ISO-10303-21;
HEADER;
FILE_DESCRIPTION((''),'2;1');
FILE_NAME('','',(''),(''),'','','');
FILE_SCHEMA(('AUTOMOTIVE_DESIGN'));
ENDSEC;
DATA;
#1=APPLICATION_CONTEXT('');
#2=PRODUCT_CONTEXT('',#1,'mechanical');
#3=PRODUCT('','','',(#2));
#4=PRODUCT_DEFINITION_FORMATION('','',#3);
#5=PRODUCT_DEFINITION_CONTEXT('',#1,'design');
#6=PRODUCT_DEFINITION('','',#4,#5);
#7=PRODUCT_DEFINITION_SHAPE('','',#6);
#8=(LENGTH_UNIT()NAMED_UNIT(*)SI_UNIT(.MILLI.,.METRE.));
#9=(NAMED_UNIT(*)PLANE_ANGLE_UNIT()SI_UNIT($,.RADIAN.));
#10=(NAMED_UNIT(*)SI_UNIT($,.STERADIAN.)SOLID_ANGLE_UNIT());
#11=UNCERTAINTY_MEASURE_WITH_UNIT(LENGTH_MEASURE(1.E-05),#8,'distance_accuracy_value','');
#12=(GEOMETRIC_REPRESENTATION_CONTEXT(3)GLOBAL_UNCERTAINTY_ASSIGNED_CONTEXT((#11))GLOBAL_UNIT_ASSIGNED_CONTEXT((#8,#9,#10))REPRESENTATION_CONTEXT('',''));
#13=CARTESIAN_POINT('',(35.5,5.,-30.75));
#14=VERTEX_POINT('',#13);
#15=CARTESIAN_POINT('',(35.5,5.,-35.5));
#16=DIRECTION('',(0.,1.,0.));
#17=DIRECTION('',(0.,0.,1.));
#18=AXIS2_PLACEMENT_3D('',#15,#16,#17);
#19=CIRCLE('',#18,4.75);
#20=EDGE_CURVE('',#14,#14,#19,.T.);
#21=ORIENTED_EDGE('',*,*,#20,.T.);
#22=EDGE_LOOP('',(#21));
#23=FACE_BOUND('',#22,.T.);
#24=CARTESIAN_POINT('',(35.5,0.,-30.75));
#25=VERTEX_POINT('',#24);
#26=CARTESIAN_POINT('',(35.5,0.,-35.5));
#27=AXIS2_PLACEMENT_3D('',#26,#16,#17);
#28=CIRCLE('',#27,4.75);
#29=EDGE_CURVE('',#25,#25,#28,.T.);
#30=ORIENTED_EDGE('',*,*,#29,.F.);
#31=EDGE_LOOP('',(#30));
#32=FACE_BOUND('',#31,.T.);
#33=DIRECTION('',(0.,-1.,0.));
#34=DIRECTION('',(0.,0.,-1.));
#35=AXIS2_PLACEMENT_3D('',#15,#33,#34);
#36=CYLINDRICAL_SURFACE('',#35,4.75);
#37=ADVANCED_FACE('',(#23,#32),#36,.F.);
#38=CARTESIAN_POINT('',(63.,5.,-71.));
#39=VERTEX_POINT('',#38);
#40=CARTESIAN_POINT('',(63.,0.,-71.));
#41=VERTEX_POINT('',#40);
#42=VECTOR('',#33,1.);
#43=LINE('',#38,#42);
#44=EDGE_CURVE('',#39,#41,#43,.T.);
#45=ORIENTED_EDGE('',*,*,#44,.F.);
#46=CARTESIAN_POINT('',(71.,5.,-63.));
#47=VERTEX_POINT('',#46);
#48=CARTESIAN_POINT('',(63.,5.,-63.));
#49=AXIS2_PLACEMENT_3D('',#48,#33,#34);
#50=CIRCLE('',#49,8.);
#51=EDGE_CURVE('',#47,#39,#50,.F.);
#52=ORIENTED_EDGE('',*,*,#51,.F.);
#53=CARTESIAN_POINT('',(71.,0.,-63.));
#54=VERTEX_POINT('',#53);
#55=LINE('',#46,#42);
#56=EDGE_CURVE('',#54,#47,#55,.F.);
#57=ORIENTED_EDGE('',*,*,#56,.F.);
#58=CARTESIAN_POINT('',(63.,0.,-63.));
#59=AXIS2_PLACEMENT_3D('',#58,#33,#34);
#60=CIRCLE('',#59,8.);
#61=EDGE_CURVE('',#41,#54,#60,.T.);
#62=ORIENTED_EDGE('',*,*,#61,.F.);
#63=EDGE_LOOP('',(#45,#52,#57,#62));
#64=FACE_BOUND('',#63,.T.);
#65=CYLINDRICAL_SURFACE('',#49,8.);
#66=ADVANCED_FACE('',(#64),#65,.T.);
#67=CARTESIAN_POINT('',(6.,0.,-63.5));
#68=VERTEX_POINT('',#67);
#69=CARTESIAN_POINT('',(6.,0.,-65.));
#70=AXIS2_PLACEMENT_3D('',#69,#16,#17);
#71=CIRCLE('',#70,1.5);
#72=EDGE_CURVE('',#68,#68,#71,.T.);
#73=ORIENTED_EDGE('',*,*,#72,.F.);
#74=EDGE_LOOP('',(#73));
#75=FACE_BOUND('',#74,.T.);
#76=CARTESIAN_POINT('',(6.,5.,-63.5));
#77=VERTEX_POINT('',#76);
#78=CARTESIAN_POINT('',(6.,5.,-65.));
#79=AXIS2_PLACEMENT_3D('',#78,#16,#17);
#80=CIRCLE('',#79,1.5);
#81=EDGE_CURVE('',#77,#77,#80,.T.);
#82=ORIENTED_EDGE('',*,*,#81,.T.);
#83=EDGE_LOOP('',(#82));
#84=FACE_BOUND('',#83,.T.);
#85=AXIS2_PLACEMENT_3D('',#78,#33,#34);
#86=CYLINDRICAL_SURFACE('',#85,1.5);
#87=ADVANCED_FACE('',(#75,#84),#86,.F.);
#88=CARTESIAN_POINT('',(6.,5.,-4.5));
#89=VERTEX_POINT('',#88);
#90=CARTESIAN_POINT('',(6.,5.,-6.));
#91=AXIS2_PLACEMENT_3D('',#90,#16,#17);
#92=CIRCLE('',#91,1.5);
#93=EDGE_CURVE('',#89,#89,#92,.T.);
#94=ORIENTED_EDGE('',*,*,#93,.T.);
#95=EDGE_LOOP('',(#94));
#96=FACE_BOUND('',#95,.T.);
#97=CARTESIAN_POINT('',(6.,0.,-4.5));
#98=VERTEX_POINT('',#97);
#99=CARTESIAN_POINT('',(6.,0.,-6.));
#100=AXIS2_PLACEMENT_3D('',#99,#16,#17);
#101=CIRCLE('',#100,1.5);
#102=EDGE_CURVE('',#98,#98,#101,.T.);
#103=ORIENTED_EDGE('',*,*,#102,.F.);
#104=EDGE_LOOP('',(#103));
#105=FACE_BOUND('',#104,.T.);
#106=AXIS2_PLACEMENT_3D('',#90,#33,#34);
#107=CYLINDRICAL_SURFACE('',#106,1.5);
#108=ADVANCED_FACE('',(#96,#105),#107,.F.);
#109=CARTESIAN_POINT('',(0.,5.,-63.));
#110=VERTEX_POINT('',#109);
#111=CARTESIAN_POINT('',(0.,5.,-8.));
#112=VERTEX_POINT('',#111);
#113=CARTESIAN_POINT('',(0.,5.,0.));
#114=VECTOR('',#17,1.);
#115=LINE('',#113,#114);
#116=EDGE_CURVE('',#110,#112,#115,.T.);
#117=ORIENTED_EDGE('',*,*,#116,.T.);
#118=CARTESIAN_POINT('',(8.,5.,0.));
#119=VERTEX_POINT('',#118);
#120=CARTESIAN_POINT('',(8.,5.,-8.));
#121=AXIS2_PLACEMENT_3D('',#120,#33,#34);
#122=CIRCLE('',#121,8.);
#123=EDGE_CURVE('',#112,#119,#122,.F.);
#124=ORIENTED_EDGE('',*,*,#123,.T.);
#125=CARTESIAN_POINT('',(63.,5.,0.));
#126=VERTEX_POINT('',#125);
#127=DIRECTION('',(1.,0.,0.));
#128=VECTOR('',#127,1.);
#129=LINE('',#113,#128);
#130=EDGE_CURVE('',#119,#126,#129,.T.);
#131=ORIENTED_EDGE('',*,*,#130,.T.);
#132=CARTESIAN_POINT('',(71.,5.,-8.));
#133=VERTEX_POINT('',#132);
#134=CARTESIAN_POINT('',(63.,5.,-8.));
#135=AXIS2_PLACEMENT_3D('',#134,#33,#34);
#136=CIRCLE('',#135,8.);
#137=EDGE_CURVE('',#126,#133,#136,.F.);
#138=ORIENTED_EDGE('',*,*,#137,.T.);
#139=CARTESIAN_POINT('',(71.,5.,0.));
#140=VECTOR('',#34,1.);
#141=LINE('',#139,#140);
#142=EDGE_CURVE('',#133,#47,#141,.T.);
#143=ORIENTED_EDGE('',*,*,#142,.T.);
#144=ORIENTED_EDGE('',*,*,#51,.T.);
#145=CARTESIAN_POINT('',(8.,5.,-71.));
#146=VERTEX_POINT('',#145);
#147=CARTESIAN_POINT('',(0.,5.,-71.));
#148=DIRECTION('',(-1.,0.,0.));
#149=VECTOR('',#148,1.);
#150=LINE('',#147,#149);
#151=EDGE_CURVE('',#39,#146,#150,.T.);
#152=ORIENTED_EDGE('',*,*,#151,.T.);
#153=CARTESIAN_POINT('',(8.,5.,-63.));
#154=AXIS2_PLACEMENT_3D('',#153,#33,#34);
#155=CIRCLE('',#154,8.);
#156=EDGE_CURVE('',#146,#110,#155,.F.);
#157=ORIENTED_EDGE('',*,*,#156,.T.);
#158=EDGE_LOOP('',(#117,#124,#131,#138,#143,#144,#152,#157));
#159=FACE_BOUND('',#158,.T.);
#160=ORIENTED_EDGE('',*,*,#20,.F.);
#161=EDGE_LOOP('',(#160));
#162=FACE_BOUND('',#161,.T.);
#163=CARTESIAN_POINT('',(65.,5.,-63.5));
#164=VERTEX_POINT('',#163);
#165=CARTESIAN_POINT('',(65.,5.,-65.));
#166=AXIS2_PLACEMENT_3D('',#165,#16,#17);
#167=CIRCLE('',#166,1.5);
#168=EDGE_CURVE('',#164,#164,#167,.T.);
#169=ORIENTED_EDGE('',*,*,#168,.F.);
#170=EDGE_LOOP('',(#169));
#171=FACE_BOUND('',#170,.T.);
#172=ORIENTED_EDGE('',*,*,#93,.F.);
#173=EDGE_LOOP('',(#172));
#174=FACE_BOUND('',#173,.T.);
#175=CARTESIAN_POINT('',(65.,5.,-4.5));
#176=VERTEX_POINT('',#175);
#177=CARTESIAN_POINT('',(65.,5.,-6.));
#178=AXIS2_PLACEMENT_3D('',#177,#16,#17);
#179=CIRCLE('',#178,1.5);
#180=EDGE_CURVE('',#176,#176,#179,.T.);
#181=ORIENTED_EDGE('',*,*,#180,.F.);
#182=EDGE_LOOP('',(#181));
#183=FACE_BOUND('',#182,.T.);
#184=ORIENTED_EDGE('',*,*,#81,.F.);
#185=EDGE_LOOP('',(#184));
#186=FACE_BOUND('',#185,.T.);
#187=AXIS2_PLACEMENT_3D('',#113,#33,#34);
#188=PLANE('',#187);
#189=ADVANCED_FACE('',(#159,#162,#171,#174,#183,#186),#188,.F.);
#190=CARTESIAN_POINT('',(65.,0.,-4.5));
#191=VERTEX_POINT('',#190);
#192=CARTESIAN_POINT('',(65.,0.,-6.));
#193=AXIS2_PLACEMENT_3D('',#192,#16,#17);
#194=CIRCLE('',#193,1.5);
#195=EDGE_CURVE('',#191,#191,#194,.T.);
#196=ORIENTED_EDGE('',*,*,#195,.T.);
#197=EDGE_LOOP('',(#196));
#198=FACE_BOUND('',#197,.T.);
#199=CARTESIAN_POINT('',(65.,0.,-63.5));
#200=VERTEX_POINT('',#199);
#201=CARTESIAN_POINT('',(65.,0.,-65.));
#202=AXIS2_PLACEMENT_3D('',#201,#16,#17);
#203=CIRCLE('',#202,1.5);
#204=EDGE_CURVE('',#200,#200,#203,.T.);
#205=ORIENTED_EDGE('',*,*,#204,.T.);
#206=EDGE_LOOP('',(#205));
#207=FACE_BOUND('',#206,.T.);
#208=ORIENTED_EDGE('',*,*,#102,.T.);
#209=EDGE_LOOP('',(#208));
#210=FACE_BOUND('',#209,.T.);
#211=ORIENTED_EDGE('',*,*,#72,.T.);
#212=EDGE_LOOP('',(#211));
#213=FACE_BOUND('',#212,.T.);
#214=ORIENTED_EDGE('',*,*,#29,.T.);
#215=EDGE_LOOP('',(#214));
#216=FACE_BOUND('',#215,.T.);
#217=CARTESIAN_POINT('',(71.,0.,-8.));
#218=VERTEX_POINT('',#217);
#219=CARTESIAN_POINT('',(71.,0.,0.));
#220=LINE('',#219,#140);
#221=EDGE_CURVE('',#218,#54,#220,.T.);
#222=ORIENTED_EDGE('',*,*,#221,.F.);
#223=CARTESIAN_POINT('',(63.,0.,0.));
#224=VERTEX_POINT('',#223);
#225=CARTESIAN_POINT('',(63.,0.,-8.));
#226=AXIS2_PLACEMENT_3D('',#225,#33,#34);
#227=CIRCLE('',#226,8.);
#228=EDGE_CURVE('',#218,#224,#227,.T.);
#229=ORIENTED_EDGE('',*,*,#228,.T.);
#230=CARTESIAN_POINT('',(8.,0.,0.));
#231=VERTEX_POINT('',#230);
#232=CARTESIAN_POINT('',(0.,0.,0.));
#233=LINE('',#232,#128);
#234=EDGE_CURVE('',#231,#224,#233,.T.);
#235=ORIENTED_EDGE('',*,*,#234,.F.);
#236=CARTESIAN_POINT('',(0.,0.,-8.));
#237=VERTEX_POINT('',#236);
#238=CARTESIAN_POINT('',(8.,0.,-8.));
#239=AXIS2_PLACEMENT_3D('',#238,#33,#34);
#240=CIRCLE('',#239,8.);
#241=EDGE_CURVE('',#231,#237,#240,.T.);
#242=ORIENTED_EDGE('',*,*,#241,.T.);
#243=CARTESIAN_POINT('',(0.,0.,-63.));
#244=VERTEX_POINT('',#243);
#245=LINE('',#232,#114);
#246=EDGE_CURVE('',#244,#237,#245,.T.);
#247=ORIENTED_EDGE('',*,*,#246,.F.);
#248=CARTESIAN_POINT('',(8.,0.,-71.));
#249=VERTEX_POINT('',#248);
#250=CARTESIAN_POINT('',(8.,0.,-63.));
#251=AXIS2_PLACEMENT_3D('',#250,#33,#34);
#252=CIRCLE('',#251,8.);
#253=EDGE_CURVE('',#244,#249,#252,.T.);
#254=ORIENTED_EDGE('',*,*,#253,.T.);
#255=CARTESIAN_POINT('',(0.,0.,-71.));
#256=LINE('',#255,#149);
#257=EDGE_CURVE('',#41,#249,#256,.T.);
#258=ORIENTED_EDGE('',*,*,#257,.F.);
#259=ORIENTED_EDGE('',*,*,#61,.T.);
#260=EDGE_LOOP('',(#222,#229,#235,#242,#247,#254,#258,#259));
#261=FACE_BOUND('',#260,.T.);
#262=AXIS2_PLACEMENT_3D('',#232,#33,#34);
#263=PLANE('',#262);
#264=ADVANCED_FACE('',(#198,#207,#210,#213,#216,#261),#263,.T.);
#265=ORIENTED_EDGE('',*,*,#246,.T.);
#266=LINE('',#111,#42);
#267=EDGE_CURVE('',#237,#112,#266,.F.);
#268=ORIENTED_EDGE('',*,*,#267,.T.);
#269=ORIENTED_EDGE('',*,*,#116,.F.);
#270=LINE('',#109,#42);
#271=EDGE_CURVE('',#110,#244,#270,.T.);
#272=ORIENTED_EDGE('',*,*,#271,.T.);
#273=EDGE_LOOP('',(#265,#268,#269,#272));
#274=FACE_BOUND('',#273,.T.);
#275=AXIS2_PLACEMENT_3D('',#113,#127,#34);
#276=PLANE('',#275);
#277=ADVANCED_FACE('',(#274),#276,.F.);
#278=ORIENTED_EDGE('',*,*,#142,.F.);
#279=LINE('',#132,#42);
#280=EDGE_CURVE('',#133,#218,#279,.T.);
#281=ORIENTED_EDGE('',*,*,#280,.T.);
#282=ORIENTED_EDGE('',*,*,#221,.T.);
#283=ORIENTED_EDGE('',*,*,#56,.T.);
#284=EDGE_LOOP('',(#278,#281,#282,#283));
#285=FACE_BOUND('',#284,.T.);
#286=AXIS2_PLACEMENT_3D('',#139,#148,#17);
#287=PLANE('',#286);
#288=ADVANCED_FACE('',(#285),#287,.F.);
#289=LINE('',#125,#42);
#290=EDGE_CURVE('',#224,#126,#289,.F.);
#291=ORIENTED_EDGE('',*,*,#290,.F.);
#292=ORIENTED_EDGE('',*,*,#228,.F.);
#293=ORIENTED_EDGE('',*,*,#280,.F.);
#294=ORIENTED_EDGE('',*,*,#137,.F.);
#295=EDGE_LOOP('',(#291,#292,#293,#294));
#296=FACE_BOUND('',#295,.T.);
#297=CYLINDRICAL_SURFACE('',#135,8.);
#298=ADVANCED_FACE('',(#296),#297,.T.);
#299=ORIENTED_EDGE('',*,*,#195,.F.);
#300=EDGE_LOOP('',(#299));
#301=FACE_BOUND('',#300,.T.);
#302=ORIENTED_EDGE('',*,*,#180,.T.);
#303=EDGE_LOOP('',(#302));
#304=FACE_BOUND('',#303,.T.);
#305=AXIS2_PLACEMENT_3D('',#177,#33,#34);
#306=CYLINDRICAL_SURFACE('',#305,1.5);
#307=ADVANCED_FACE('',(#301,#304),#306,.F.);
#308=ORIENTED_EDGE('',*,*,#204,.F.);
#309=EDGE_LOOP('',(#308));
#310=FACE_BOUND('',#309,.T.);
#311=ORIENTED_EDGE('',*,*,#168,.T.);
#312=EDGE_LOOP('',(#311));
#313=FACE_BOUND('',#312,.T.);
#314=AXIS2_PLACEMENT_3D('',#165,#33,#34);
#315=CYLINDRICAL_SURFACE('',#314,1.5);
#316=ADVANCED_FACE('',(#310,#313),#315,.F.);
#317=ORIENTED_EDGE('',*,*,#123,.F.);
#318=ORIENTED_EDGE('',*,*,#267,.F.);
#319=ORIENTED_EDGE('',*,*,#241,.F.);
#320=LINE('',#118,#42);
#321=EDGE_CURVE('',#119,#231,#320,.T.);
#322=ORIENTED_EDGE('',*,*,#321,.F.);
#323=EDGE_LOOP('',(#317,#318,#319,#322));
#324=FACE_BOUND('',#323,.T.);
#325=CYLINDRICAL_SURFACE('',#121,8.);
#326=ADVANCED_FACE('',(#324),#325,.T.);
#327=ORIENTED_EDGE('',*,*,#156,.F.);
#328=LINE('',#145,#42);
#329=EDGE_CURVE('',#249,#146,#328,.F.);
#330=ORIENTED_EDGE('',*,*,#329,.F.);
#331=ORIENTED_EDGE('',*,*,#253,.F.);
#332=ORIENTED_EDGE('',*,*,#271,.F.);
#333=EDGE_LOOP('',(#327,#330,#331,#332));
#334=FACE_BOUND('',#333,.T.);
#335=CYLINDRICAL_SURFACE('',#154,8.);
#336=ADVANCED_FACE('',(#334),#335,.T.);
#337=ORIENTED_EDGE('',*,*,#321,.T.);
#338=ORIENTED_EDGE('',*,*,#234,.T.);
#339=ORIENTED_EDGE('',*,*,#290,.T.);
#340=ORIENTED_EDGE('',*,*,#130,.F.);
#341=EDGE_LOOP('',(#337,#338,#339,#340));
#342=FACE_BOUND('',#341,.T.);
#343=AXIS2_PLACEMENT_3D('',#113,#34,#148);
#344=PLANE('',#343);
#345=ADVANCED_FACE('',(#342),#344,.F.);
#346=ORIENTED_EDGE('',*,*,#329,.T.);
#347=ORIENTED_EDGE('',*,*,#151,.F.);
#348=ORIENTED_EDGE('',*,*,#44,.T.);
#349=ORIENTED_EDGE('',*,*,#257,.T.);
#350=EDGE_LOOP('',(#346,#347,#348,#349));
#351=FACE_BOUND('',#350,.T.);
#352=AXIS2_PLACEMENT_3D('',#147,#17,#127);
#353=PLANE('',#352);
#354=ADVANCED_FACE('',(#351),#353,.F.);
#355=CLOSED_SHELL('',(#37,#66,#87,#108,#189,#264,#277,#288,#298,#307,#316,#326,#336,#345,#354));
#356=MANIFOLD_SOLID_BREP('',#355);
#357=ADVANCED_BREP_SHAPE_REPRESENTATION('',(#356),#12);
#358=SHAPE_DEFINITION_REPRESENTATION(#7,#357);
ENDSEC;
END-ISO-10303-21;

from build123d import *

# Parameters (mm, degrees)
SKETCH1_W           = 71
SKETCH1_H           = 71
SKETCH1_R           = 1.5
SKETCH1_R_2         = 4.75
BOSS_EXTRUDE1_DEPTH = 5
FILLET1_R           = 8


with BuildPart() as part:
    # Sketch1 → Boss-Extrude1 (new body)
    with BuildSketch(Plane(origin=(0, 0, 0), x_dir=(1, 0, 0), z_dir=(0, 1, 0))):
        with Locations((35.5, 35.5)):
            Rectangle(SKETCH1_W, SKETCH1_H)
        with Locations((6, 6)):
            Circle(SKETCH1_R, mode=Mode.SUBTRACT)
        with Locations((65, 6)):
            Circle(SKETCH1_R, mode=Mode.SUBTRACT)
        with Locations((65, 65)):
            Circle(SKETCH1_R, mode=Mode.SUBTRACT)
        with Locations((6, 65)):
            Circle(SKETCH1_R, mode=Mode.SUBTRACT)
        with Locations((35.5, 35.5)):
            Circle(SKETCH1_R_2, mode=Mode.SUBTRACT)
    extrude(amount=BOSS_EXTRUDE1_DEPTH)

    # Fillet1
    fillet1_edges = [part.edges().sort_by_distance(p)[0] for p in [
        (0, 2.5, -71),
        (71, 2.5, -71),
        (71, 2.5, 0),
        (0, 2.5, 0),
    ]]
    fillet(fillet1_edges, radius=FILLET1_R)


solid = part.part
